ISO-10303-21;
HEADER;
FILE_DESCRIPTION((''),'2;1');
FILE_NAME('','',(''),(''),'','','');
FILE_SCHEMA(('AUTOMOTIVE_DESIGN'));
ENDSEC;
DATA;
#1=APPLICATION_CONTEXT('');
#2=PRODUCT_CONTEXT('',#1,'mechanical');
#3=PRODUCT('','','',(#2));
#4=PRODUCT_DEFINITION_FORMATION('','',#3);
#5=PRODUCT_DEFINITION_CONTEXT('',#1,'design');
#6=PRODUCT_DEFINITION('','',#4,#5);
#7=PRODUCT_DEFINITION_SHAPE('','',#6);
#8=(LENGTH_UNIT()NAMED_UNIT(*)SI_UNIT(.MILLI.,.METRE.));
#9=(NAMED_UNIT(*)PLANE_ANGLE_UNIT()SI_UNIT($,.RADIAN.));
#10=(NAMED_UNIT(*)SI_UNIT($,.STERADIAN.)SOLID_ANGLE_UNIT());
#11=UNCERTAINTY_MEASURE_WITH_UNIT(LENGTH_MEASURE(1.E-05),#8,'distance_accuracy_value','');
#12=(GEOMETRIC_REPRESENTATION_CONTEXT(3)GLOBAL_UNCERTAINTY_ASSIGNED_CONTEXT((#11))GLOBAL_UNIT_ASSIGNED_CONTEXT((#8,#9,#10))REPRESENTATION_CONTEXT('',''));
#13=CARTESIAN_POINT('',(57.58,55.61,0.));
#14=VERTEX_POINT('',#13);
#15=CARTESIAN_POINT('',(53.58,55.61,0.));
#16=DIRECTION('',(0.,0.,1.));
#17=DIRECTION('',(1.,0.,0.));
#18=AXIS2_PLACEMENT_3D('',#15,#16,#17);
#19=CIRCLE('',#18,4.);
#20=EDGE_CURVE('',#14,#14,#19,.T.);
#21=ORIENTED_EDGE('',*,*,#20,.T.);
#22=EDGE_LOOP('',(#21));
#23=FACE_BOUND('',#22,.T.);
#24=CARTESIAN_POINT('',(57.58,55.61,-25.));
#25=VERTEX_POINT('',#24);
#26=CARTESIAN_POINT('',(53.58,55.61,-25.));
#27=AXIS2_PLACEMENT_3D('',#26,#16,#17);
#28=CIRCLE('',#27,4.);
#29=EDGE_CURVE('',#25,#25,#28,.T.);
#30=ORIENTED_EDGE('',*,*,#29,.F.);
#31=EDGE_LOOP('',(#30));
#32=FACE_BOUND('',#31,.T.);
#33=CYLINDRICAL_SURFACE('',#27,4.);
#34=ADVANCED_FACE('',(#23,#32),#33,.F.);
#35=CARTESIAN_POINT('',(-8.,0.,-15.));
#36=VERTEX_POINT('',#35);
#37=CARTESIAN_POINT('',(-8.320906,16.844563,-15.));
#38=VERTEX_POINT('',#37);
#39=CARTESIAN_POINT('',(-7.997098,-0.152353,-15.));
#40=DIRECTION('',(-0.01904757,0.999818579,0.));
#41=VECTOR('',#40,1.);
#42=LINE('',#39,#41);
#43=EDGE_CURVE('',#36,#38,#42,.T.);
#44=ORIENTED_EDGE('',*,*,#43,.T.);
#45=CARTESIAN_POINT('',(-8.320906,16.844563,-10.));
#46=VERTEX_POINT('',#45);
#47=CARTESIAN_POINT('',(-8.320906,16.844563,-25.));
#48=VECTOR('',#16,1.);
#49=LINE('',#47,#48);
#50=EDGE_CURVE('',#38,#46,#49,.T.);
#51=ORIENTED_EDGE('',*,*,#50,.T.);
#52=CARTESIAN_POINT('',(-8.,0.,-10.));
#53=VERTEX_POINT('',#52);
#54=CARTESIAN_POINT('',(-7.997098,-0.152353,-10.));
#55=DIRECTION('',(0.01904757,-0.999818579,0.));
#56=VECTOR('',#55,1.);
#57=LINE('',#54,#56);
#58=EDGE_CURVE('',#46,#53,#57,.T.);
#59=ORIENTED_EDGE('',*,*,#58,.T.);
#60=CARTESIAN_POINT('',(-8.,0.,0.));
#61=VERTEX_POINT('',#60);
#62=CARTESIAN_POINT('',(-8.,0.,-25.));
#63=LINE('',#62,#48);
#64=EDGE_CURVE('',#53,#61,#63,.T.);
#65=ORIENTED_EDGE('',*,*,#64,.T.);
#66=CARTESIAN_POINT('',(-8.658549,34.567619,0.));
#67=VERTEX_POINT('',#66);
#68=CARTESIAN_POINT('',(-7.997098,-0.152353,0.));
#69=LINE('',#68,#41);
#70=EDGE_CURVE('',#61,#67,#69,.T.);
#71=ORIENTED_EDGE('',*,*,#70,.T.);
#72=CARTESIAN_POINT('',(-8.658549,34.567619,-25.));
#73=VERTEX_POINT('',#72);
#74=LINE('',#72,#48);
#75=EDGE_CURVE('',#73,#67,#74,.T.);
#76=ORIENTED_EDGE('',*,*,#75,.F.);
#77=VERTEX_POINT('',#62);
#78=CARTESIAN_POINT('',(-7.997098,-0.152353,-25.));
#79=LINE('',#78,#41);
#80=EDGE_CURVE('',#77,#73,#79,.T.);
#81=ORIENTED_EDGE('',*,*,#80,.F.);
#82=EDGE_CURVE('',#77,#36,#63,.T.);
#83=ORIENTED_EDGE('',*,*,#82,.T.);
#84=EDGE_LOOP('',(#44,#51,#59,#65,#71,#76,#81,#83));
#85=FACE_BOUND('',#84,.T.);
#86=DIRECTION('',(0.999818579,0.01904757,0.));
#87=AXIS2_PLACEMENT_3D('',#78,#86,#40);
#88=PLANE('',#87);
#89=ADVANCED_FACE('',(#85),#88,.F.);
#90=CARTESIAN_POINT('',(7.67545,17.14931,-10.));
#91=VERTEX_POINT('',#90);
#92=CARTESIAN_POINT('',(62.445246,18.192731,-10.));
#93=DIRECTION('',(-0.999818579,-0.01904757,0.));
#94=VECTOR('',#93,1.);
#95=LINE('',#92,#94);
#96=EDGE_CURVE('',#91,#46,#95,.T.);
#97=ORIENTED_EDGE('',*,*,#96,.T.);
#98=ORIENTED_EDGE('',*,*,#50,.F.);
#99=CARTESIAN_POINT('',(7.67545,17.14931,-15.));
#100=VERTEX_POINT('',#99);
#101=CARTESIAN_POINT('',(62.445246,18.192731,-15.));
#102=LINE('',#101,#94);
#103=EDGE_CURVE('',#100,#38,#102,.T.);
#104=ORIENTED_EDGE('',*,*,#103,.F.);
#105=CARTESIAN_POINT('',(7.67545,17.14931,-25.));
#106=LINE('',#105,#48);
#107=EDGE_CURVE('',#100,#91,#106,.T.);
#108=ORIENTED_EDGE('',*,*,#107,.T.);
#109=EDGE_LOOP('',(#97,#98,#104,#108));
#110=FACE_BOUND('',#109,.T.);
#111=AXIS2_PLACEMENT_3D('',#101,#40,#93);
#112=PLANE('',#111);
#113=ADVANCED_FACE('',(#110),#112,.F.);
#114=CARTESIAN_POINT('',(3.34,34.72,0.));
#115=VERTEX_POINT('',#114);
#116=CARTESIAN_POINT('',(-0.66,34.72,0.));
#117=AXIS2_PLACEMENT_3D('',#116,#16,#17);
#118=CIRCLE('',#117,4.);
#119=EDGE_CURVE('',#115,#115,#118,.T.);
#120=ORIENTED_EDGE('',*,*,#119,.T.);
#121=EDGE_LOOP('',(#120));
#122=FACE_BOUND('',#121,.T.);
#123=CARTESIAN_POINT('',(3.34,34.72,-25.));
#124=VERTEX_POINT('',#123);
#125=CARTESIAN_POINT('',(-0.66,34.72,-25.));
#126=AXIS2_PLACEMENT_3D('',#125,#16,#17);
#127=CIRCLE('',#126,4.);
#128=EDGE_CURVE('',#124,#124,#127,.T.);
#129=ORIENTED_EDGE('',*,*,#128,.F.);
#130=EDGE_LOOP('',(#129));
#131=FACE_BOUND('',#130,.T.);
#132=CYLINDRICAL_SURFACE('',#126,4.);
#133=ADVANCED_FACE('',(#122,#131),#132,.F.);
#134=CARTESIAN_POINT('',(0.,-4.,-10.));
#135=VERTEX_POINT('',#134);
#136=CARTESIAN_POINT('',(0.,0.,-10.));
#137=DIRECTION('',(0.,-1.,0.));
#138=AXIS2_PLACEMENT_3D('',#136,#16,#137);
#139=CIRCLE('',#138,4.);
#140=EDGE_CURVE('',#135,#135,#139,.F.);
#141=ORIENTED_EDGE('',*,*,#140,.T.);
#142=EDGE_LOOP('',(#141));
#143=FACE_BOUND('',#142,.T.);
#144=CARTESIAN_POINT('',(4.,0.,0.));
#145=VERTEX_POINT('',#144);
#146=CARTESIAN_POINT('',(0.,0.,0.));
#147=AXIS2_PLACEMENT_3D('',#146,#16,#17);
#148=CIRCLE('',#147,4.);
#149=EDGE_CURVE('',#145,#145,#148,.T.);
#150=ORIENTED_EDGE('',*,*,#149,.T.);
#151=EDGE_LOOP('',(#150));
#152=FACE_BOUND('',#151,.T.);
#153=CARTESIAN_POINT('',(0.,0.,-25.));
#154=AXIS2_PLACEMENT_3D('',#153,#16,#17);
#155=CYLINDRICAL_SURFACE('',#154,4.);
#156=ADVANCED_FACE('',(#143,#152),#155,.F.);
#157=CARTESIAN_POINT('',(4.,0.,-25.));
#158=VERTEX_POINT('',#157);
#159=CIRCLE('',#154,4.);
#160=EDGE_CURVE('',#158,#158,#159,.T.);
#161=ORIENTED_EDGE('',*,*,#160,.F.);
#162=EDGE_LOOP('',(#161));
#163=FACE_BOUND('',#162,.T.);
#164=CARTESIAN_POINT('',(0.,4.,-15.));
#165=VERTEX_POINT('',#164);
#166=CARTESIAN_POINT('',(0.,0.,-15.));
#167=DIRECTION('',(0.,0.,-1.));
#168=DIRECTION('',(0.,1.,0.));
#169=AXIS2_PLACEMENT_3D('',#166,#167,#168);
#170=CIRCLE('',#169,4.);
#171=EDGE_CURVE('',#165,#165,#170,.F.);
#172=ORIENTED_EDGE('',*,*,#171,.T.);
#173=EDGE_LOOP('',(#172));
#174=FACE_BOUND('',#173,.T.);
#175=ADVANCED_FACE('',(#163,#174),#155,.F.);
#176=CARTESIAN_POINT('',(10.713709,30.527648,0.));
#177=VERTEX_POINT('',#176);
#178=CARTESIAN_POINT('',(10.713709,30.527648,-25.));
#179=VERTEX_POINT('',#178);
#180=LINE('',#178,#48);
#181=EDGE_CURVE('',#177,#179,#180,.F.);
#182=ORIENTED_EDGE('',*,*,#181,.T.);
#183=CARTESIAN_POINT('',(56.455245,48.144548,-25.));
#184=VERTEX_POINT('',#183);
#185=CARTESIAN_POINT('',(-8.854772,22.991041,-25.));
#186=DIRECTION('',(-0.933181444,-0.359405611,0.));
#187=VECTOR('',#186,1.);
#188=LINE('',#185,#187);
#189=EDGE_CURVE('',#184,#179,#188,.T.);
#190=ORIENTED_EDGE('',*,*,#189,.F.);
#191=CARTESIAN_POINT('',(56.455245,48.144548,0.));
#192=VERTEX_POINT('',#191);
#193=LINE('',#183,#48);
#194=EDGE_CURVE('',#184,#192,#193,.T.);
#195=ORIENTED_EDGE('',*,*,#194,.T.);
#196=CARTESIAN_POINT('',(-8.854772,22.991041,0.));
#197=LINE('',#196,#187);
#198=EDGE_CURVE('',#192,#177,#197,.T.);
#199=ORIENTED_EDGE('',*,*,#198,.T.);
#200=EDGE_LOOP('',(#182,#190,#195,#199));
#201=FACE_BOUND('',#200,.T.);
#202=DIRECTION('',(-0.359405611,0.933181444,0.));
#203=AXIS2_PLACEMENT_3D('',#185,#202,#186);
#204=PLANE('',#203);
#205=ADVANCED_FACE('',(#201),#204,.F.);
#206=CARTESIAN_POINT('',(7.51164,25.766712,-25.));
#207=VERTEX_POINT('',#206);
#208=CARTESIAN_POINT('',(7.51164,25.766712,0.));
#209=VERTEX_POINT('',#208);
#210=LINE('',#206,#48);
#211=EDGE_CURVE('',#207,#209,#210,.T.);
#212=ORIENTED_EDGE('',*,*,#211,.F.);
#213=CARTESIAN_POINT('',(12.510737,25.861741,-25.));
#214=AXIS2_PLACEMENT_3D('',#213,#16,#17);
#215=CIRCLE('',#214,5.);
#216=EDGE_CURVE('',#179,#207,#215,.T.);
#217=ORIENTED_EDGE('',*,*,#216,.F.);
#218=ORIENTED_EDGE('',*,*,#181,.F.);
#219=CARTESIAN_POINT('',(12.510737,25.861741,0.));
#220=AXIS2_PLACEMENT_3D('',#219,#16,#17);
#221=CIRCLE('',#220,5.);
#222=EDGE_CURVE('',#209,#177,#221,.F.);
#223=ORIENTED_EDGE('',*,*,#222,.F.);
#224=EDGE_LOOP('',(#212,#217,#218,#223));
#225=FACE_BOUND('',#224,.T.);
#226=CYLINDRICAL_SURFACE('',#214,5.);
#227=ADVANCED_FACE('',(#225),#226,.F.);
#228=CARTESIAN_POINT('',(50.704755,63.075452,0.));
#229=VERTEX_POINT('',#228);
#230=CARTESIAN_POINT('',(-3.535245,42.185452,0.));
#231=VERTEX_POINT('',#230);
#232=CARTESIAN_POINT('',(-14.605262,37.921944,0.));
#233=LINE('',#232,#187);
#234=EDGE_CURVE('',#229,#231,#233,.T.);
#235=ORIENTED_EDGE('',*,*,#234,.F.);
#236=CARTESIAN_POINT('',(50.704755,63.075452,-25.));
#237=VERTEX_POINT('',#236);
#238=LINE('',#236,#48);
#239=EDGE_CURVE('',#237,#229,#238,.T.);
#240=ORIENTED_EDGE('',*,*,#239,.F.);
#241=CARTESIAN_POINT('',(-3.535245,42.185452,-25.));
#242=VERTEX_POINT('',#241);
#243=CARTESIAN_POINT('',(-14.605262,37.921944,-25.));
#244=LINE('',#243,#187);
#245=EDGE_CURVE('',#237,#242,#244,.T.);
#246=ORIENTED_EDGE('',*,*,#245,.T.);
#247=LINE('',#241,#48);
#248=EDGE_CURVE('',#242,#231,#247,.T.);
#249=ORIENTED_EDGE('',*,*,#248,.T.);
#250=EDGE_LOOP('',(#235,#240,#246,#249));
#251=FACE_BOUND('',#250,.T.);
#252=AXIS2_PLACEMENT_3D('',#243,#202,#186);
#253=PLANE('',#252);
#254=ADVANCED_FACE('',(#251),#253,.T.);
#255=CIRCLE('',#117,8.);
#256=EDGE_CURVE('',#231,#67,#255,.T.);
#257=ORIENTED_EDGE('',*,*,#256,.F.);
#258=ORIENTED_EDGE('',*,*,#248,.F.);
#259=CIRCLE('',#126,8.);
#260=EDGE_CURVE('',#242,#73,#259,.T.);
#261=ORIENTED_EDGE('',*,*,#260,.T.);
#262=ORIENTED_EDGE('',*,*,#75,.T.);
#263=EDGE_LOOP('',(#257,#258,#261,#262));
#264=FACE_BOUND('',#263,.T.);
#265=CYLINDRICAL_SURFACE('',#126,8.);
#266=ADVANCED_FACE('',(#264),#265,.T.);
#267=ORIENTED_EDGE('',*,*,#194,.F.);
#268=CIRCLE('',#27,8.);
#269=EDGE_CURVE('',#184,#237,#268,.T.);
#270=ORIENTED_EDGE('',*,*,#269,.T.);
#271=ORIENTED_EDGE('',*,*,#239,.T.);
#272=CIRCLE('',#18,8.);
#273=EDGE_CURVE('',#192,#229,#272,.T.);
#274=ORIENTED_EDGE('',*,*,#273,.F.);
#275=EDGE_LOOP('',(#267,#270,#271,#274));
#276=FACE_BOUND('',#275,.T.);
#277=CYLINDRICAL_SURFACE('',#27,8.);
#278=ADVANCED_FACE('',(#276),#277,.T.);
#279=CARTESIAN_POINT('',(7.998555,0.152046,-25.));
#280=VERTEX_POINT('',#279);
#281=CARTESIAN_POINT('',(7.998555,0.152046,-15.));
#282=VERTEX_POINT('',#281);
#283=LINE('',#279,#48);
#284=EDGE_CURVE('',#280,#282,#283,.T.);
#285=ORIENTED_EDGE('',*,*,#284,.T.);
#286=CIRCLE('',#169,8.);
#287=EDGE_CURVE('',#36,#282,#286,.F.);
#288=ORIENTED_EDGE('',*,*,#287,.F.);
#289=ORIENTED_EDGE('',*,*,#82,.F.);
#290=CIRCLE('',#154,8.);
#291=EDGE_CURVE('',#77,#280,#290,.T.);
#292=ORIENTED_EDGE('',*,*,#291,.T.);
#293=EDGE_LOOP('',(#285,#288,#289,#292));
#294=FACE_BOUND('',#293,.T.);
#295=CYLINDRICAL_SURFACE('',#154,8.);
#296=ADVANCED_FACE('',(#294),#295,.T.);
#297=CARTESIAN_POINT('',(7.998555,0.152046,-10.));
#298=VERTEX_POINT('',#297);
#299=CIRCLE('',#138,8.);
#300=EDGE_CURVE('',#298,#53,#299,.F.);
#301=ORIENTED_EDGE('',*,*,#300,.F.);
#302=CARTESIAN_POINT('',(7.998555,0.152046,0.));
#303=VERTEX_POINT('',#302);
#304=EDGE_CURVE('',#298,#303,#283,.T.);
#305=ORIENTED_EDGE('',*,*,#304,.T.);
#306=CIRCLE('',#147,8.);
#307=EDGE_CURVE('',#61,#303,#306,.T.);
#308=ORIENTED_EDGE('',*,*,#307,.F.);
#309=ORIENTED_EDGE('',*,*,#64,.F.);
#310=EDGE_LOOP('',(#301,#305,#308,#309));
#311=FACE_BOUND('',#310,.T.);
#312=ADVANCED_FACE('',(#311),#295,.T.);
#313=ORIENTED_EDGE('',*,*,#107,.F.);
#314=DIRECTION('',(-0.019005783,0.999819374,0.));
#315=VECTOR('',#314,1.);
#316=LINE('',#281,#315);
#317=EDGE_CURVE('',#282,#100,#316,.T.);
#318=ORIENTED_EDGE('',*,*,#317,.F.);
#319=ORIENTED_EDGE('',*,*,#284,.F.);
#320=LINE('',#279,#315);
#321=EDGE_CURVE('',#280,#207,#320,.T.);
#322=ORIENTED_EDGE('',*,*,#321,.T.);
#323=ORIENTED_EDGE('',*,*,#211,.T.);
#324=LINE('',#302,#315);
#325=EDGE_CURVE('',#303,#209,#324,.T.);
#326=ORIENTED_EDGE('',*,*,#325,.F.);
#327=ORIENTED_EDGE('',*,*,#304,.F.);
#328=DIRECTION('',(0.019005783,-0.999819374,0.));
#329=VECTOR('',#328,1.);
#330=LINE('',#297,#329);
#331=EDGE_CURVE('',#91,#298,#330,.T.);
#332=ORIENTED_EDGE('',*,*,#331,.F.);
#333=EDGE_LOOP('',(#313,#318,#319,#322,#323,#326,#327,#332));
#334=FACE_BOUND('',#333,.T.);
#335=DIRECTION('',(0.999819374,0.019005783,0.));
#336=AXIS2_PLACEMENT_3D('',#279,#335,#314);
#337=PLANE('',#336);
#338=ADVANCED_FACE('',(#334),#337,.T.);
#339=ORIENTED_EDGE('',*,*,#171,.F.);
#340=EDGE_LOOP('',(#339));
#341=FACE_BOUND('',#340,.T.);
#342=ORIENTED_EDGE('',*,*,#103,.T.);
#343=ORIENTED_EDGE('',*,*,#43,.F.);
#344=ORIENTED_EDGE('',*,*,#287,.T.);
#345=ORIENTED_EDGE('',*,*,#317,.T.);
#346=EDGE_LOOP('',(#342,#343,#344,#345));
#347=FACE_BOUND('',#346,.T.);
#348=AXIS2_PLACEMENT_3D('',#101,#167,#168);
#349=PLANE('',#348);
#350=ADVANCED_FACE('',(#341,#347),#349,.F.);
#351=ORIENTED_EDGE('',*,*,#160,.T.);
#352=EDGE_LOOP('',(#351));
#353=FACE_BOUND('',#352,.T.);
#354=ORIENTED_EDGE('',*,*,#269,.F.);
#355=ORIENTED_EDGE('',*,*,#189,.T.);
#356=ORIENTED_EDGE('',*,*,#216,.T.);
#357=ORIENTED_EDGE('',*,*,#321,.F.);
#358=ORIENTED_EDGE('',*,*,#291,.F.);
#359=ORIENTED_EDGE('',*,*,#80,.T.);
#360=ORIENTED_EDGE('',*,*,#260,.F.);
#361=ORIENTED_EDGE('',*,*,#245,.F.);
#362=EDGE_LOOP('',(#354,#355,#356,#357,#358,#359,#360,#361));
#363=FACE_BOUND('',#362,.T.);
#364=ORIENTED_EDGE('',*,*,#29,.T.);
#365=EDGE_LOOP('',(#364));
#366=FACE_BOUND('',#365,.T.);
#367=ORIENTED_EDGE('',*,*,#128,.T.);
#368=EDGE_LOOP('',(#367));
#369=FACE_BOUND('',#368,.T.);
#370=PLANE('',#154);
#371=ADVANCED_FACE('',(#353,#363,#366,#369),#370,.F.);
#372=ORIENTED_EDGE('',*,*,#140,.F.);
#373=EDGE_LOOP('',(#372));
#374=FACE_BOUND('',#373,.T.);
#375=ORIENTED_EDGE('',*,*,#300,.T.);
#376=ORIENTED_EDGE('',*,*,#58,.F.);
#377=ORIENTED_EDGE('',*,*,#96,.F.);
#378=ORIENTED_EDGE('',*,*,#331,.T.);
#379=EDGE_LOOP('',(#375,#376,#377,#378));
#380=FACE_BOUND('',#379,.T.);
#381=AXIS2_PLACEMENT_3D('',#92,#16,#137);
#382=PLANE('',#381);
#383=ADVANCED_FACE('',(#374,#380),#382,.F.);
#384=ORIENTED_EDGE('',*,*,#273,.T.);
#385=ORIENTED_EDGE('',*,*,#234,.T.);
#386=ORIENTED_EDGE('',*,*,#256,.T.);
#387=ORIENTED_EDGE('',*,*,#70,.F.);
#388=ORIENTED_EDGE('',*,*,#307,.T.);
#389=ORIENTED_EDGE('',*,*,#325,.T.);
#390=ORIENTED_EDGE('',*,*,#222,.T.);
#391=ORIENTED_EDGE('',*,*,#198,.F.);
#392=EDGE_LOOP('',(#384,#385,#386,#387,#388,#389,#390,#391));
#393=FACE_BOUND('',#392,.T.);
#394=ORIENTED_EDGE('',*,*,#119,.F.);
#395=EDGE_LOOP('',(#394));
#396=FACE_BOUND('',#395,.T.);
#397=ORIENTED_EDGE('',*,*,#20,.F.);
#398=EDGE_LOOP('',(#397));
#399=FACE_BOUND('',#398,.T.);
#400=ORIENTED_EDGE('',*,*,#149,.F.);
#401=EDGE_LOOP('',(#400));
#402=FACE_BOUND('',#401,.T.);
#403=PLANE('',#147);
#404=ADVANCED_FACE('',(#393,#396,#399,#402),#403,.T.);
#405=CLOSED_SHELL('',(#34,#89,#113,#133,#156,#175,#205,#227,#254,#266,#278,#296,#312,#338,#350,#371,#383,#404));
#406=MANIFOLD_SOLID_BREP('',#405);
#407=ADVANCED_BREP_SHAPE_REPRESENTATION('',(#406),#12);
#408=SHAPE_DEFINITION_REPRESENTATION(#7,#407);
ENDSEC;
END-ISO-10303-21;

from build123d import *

# Parameters (mm, degrees)
SKETCH1_R               = 4
BOSS_EXTRUDE1_DEPTH     = 25
FILLET1_R               = 5
SKETCH2_W               = 5
SKETCH2_H               = 30
CUT_EXTRUDE1_DEPTH      = 1.812260823
CUT_EXTRUDE1_DEPTH_BACK = 71.77899263


with BuildPart() as part:
    # Sketch1 → Boss-Extrude1 (new body)
    with BuildSketch(Plane.XY):
        with BuildLine():
            ThreePointArc((56.45524489, 48.144548452), (61.045451548, 58.48524489), (50.70475511, 63.075451548))
            Line((50.70475511, 63.075451548), (-3.53524489, 42.185451548))
            ThreePointArc((-3.53524489, 42.185451548), (-7.298349786, 39.184561806), (-8.658548629, 34.567619439))
            Line((-8.658548629, 34.567619439), (-8, 0))
            ThreePointArc((-8, 0), (0.076026565, -7.999638739), (7.99855499, 0.152046264))
            Line((7.99855499, 0.152046264), (7.445069005, 29.268763528))
            Line((7.445069005, 29.268763528), (56.45524489, 48.144548452))
        make_face()
        Circle(SKETCH1_R, mode=Mode.SUBTRACT)
        with Locations((-0.66, 34.72)):
            Circle(SKETCH1_R, mode=Mode.SUBTRACT)
        with Locations((53.58, 55.61)):
            Circle(SKETCH1_R, mode=Mode.SUBTRACT)
    extrude(amount=-BOSS_EXTRUDE1_DEPTH)

    # Fillet1
    fillet1_edges = [part.edges().sort_by_distance(p)[0] for p in [
        (7.445069005, 29.268763528, -12.5),
    ]]
    fillet(fillet1_edges, radius=FILLET1_R)

    # Sketch2 → Cut-Extrude1 (cut, two sides)
    with BuildSketch(Plane(origin=(-7.997097521, -0.152352916, 0), x_dir=(0, 0, 1), z_dir=(-0.999818579, -0.01904757, 0))) as cut_extrude1_sk:
        with Locations((-12.5, 2)):
            Rectangle(SKETCH2_W, SKETCH2_H)
    extrude(amount=CUT_EXTRUDE1_DEPTH, mode=Mode.SUBTRACT)
    extrude(cut_extrude1_sk.sketch, amount=-CUT_EXTRUDE1_DEPTH_BACK, mode=Mode.SUBTRACT)


solid = part.part
